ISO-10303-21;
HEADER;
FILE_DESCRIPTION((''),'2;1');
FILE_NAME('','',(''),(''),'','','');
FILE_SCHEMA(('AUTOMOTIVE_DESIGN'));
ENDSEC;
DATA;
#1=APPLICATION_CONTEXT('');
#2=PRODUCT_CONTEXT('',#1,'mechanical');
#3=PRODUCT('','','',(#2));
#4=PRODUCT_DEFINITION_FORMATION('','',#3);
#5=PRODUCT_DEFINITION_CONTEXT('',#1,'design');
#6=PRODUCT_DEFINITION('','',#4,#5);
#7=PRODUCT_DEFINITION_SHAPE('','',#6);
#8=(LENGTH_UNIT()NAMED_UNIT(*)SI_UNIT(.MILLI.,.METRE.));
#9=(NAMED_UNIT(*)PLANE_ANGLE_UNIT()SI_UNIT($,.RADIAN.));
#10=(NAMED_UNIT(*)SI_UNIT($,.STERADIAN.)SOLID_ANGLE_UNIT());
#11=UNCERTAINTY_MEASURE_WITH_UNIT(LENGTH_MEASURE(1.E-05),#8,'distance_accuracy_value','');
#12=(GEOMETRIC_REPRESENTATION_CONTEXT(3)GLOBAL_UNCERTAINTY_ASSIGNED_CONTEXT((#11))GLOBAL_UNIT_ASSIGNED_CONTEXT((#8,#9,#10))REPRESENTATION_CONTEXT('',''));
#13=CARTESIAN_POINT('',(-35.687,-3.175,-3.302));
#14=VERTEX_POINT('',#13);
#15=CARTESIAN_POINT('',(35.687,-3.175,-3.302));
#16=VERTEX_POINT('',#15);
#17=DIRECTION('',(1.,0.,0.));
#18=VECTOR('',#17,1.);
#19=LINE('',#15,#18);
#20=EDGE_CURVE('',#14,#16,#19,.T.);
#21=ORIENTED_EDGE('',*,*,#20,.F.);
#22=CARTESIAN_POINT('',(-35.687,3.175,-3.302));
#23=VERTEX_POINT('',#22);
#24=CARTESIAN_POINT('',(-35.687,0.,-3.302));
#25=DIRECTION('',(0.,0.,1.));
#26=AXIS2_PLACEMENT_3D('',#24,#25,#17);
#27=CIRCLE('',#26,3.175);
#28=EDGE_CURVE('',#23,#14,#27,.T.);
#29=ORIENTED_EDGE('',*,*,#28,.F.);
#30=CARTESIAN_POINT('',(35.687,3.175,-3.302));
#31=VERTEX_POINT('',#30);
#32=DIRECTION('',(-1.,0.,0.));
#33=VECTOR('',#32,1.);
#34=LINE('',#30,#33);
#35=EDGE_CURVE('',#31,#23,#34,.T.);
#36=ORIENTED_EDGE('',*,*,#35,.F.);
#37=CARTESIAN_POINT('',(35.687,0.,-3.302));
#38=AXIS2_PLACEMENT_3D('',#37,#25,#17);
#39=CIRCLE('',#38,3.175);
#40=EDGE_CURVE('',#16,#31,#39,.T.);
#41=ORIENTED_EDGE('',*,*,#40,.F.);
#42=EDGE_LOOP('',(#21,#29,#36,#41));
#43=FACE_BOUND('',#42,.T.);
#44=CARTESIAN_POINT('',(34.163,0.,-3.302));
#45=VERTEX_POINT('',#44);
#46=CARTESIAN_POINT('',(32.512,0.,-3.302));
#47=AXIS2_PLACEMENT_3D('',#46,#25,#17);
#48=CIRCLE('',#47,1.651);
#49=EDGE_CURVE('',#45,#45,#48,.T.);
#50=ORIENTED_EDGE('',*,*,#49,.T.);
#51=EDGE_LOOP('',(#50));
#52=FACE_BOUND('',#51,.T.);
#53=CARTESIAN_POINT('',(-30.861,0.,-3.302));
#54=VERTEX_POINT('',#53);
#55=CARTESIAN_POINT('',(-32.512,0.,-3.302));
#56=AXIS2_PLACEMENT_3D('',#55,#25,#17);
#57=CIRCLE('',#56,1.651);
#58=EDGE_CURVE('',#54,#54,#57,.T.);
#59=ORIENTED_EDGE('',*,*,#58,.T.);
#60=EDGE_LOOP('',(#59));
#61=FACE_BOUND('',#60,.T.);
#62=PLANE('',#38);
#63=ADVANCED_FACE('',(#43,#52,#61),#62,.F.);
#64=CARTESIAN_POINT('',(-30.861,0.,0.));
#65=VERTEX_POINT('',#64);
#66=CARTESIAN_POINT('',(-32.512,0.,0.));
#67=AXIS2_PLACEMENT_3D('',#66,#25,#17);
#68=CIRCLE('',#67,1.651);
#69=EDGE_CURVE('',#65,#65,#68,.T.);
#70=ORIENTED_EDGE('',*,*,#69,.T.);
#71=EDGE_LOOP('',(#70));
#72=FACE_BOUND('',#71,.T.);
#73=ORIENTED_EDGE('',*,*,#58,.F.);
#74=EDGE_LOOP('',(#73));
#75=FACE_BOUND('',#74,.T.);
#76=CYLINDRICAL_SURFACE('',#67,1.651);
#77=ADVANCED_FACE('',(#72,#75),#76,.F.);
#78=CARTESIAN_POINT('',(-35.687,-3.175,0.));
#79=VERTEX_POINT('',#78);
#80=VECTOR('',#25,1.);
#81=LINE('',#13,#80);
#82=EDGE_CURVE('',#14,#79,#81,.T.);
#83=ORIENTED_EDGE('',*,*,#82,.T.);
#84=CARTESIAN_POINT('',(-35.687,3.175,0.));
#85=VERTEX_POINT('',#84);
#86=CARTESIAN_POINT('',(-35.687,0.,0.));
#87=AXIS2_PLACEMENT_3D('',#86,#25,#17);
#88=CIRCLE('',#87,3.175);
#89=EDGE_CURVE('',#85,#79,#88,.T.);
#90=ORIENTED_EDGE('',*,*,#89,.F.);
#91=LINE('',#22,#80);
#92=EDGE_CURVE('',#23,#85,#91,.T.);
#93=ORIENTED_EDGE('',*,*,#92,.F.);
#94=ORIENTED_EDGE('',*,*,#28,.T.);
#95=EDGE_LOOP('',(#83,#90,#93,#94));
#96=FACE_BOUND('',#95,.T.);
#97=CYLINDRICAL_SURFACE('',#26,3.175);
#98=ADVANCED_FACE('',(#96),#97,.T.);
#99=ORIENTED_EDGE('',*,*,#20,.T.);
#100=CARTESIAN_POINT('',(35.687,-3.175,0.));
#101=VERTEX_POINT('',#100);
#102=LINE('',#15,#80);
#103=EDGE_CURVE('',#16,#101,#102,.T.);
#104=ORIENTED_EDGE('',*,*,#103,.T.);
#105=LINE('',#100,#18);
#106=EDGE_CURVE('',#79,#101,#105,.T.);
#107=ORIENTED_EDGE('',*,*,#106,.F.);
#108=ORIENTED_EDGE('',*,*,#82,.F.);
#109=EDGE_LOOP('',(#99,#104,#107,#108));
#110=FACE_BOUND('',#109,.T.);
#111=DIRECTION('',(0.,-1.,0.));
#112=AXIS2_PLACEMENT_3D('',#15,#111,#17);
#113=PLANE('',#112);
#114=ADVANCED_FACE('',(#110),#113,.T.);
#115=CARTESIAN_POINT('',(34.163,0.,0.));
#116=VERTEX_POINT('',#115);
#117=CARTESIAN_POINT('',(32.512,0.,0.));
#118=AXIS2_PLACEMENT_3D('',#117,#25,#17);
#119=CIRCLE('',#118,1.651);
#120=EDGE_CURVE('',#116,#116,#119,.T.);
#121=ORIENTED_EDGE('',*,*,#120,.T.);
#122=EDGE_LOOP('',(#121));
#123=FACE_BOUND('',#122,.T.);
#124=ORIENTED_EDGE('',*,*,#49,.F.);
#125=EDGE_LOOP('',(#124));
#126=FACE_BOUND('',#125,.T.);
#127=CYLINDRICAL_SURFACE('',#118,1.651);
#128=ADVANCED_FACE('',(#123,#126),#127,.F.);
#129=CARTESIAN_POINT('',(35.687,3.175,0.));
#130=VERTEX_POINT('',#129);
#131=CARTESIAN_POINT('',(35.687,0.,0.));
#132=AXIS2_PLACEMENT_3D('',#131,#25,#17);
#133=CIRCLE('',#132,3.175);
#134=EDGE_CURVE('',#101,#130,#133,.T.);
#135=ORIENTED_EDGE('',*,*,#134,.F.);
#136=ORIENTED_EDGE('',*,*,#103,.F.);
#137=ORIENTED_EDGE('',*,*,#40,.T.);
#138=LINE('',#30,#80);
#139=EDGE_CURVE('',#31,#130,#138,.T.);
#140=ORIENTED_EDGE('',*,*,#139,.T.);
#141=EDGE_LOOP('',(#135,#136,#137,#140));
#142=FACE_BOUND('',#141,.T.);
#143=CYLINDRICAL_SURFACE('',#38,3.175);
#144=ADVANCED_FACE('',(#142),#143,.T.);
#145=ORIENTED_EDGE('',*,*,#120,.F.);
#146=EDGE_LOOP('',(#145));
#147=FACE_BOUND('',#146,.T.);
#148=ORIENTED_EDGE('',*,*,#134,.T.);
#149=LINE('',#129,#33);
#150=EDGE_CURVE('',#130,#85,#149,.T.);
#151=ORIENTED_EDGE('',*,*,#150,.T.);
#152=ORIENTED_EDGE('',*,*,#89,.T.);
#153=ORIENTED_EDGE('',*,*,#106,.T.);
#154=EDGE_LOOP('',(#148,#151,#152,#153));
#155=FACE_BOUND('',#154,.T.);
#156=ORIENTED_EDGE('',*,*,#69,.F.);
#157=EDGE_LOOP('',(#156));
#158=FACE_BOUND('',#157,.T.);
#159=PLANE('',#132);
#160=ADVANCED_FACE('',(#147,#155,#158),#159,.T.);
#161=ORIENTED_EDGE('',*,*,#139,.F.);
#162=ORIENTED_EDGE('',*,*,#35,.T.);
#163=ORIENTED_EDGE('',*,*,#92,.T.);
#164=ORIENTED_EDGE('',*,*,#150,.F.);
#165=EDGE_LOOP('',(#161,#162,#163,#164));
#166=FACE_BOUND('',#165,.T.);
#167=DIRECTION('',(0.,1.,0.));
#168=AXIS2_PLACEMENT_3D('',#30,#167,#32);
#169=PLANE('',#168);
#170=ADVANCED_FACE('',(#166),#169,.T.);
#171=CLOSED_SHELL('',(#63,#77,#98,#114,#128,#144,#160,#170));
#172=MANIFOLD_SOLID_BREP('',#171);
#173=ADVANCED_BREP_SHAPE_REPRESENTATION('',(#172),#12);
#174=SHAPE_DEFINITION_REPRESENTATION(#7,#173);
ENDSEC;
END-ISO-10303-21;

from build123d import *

# Parameters (mm, degrees)
BOSS_EXTRUDE1_DEPTH         = 3.302
F_1_4_0_13_DIAMETER_HOLE1_D = 3.302


with BuildPart() as part:
    # Sketch1 → Boss-Extrude1 (new body)
    with BuildSketch(Plane.XY):
        with BuildLine():
            Line((35.687, -3.175), (-35.687, -3.175))
            ThreePointArc((-35.687, -3.175), (-38.862, 0), (-35.687, 3.175))
            Line((-35.687, 3.175), (35.687, 3.175))
            ThreePointArc((35.687, 3.175), (38.862, 0), (35.687, -3.175))
        make_face()
    extrude(amount=-BOSS_EXTRUDE1_DEPTH)

    # 1/4 (0.13) Diameter Hole1 (through all)
    with Locations(Plane.XY):
        with Locations((-32.512, 0), (32.512, 0)):
            Hole(F_1_4_0_13_DIAMETER_HOLE1_D / 2)


solid = part.part
